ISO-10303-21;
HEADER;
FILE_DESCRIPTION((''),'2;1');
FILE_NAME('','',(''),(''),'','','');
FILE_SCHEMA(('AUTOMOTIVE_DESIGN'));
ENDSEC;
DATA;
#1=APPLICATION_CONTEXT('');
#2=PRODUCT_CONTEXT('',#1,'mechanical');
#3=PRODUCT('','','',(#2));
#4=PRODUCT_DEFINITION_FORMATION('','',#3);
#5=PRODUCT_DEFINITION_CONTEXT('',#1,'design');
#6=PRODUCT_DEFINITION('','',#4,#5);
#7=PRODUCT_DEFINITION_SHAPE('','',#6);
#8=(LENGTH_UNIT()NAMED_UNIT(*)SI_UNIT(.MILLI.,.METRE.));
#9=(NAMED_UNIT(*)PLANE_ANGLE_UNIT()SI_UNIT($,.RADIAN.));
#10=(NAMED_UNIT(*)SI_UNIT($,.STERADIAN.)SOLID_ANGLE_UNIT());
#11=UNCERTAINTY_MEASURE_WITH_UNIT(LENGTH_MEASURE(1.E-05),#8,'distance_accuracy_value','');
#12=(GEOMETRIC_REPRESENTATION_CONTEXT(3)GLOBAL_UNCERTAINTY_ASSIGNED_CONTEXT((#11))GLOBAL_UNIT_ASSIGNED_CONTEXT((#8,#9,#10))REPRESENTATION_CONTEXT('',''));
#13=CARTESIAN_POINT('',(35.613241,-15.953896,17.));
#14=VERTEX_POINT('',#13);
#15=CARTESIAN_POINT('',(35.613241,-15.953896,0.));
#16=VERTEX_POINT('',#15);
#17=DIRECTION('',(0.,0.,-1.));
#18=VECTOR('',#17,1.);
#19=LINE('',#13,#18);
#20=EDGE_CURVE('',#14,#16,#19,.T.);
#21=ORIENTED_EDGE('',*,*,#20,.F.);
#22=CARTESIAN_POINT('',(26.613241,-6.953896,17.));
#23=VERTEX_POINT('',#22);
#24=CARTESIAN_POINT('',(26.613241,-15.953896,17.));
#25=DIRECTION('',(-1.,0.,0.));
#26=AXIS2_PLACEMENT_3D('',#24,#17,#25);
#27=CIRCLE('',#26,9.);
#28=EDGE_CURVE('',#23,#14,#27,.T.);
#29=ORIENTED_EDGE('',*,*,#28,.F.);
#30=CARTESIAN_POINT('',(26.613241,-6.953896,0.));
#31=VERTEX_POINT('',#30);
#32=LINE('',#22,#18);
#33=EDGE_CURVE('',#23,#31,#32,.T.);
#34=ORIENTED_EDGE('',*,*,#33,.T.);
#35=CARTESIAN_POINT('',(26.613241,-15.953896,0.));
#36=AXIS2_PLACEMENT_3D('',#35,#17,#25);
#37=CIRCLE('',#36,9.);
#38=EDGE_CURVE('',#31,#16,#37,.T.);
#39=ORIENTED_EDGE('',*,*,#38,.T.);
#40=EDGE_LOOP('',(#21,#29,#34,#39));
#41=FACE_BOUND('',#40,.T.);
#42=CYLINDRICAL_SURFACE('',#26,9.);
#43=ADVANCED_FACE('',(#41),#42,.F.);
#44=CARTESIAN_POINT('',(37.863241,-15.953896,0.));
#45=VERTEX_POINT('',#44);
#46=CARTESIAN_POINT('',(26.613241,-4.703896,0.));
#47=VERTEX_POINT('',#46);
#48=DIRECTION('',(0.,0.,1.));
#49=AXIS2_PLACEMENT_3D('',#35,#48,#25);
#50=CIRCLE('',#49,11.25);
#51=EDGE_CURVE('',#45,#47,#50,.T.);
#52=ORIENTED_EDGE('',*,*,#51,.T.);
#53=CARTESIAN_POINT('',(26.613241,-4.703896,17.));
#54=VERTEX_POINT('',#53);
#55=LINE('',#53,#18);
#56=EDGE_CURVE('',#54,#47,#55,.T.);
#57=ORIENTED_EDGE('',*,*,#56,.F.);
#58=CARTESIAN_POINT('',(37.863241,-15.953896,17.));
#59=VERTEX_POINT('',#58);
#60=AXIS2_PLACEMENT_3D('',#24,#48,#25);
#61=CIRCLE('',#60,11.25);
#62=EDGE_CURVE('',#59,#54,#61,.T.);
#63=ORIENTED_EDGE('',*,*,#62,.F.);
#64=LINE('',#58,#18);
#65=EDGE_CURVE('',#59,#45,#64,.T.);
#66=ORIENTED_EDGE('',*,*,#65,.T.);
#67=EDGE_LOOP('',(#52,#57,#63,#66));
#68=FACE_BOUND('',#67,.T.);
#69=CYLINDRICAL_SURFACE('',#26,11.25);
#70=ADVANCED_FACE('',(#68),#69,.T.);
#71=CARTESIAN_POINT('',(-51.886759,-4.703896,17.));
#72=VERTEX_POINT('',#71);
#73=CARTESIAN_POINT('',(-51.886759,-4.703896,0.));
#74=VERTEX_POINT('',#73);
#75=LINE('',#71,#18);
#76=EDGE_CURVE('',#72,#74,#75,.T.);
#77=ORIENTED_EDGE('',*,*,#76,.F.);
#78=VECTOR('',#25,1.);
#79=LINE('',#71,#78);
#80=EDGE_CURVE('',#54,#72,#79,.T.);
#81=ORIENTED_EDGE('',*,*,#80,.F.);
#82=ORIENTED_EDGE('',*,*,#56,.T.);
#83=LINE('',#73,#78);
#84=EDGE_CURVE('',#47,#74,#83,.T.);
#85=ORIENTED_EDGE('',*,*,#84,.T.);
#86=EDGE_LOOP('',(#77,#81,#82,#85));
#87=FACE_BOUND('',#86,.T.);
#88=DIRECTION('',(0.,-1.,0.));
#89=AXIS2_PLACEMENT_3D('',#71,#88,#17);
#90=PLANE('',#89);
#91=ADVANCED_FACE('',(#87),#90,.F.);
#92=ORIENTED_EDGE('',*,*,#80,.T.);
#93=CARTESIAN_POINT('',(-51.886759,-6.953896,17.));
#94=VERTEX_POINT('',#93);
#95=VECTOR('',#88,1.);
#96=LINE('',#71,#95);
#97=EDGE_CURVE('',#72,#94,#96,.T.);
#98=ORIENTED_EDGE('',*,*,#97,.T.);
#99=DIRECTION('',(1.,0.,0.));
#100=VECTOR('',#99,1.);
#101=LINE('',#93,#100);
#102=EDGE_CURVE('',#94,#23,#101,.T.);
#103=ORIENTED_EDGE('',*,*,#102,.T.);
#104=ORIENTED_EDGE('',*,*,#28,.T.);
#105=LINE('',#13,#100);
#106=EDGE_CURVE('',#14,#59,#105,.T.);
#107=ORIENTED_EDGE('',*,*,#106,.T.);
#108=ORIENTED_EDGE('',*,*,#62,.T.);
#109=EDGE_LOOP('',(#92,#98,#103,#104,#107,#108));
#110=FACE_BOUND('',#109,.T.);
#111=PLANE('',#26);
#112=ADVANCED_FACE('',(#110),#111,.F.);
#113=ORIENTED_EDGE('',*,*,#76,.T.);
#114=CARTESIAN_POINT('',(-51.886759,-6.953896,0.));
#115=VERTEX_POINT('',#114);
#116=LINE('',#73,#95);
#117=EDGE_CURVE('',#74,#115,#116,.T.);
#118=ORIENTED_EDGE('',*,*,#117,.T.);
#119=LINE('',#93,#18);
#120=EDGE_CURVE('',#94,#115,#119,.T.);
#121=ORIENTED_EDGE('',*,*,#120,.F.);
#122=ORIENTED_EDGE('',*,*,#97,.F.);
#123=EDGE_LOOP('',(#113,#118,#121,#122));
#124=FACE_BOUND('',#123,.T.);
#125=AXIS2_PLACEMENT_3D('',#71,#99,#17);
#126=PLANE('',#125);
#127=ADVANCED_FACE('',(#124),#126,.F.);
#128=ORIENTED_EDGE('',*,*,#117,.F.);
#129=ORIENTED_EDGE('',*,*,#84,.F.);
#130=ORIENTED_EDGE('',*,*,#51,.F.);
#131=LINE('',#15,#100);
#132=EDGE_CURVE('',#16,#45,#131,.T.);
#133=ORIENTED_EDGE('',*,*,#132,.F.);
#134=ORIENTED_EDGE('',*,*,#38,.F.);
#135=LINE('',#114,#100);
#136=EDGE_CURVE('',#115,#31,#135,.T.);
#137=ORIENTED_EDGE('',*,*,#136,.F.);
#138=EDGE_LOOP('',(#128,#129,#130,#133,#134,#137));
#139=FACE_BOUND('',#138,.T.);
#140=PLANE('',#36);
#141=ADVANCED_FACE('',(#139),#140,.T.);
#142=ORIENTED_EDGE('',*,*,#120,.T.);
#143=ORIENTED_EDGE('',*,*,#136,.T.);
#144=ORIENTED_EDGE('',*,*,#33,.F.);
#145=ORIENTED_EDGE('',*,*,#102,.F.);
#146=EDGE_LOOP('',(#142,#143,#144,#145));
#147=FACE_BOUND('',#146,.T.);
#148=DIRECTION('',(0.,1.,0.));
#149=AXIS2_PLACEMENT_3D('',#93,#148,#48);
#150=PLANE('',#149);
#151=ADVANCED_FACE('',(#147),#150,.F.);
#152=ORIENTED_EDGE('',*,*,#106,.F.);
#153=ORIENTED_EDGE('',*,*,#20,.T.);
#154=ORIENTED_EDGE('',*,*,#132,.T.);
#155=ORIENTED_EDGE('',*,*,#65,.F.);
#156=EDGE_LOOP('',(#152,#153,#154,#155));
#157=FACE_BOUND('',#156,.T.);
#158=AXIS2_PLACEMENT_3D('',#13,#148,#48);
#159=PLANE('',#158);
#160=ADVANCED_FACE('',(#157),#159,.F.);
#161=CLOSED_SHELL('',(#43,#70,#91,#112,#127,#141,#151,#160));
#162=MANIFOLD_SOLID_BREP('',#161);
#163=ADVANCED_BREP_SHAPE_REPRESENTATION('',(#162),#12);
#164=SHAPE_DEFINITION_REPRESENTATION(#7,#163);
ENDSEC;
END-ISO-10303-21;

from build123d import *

# Parameters (mm, degrees)
BOSS_EXTRUDE1_DEPTH = 17


with BuildPart() as part:
    # Sketch2 → Boss-Extrude1 (new body)
    with BuildSketch(Plane.XY):
        with BuildLine():
            Line((35.613241121, -15.95389552), (37.863241121, -15.95389552))
            ThreePointArc((37.863241121, -15.95389552), (34.568192409, -7.998944231), (26.613241121, -4.70389552))
            Line((26.613241121, -4.70389552), (-51.886758879, -4.70389552))
            Line((-51.886758879, -4.70389552), (-51.886758879, -6.95389552))
            Line((-51.886758879, -6.95389552), (26.613241121, -6.95389552))
            ThreePointArc((26.613241121, -6.95389552), (32.977202152, -9.589934489), (35.613241121, -15.95389552))
        make_face()
    extrude(amount=BOSS_EXTRUDE1_DEPTH)


solid = part.part
